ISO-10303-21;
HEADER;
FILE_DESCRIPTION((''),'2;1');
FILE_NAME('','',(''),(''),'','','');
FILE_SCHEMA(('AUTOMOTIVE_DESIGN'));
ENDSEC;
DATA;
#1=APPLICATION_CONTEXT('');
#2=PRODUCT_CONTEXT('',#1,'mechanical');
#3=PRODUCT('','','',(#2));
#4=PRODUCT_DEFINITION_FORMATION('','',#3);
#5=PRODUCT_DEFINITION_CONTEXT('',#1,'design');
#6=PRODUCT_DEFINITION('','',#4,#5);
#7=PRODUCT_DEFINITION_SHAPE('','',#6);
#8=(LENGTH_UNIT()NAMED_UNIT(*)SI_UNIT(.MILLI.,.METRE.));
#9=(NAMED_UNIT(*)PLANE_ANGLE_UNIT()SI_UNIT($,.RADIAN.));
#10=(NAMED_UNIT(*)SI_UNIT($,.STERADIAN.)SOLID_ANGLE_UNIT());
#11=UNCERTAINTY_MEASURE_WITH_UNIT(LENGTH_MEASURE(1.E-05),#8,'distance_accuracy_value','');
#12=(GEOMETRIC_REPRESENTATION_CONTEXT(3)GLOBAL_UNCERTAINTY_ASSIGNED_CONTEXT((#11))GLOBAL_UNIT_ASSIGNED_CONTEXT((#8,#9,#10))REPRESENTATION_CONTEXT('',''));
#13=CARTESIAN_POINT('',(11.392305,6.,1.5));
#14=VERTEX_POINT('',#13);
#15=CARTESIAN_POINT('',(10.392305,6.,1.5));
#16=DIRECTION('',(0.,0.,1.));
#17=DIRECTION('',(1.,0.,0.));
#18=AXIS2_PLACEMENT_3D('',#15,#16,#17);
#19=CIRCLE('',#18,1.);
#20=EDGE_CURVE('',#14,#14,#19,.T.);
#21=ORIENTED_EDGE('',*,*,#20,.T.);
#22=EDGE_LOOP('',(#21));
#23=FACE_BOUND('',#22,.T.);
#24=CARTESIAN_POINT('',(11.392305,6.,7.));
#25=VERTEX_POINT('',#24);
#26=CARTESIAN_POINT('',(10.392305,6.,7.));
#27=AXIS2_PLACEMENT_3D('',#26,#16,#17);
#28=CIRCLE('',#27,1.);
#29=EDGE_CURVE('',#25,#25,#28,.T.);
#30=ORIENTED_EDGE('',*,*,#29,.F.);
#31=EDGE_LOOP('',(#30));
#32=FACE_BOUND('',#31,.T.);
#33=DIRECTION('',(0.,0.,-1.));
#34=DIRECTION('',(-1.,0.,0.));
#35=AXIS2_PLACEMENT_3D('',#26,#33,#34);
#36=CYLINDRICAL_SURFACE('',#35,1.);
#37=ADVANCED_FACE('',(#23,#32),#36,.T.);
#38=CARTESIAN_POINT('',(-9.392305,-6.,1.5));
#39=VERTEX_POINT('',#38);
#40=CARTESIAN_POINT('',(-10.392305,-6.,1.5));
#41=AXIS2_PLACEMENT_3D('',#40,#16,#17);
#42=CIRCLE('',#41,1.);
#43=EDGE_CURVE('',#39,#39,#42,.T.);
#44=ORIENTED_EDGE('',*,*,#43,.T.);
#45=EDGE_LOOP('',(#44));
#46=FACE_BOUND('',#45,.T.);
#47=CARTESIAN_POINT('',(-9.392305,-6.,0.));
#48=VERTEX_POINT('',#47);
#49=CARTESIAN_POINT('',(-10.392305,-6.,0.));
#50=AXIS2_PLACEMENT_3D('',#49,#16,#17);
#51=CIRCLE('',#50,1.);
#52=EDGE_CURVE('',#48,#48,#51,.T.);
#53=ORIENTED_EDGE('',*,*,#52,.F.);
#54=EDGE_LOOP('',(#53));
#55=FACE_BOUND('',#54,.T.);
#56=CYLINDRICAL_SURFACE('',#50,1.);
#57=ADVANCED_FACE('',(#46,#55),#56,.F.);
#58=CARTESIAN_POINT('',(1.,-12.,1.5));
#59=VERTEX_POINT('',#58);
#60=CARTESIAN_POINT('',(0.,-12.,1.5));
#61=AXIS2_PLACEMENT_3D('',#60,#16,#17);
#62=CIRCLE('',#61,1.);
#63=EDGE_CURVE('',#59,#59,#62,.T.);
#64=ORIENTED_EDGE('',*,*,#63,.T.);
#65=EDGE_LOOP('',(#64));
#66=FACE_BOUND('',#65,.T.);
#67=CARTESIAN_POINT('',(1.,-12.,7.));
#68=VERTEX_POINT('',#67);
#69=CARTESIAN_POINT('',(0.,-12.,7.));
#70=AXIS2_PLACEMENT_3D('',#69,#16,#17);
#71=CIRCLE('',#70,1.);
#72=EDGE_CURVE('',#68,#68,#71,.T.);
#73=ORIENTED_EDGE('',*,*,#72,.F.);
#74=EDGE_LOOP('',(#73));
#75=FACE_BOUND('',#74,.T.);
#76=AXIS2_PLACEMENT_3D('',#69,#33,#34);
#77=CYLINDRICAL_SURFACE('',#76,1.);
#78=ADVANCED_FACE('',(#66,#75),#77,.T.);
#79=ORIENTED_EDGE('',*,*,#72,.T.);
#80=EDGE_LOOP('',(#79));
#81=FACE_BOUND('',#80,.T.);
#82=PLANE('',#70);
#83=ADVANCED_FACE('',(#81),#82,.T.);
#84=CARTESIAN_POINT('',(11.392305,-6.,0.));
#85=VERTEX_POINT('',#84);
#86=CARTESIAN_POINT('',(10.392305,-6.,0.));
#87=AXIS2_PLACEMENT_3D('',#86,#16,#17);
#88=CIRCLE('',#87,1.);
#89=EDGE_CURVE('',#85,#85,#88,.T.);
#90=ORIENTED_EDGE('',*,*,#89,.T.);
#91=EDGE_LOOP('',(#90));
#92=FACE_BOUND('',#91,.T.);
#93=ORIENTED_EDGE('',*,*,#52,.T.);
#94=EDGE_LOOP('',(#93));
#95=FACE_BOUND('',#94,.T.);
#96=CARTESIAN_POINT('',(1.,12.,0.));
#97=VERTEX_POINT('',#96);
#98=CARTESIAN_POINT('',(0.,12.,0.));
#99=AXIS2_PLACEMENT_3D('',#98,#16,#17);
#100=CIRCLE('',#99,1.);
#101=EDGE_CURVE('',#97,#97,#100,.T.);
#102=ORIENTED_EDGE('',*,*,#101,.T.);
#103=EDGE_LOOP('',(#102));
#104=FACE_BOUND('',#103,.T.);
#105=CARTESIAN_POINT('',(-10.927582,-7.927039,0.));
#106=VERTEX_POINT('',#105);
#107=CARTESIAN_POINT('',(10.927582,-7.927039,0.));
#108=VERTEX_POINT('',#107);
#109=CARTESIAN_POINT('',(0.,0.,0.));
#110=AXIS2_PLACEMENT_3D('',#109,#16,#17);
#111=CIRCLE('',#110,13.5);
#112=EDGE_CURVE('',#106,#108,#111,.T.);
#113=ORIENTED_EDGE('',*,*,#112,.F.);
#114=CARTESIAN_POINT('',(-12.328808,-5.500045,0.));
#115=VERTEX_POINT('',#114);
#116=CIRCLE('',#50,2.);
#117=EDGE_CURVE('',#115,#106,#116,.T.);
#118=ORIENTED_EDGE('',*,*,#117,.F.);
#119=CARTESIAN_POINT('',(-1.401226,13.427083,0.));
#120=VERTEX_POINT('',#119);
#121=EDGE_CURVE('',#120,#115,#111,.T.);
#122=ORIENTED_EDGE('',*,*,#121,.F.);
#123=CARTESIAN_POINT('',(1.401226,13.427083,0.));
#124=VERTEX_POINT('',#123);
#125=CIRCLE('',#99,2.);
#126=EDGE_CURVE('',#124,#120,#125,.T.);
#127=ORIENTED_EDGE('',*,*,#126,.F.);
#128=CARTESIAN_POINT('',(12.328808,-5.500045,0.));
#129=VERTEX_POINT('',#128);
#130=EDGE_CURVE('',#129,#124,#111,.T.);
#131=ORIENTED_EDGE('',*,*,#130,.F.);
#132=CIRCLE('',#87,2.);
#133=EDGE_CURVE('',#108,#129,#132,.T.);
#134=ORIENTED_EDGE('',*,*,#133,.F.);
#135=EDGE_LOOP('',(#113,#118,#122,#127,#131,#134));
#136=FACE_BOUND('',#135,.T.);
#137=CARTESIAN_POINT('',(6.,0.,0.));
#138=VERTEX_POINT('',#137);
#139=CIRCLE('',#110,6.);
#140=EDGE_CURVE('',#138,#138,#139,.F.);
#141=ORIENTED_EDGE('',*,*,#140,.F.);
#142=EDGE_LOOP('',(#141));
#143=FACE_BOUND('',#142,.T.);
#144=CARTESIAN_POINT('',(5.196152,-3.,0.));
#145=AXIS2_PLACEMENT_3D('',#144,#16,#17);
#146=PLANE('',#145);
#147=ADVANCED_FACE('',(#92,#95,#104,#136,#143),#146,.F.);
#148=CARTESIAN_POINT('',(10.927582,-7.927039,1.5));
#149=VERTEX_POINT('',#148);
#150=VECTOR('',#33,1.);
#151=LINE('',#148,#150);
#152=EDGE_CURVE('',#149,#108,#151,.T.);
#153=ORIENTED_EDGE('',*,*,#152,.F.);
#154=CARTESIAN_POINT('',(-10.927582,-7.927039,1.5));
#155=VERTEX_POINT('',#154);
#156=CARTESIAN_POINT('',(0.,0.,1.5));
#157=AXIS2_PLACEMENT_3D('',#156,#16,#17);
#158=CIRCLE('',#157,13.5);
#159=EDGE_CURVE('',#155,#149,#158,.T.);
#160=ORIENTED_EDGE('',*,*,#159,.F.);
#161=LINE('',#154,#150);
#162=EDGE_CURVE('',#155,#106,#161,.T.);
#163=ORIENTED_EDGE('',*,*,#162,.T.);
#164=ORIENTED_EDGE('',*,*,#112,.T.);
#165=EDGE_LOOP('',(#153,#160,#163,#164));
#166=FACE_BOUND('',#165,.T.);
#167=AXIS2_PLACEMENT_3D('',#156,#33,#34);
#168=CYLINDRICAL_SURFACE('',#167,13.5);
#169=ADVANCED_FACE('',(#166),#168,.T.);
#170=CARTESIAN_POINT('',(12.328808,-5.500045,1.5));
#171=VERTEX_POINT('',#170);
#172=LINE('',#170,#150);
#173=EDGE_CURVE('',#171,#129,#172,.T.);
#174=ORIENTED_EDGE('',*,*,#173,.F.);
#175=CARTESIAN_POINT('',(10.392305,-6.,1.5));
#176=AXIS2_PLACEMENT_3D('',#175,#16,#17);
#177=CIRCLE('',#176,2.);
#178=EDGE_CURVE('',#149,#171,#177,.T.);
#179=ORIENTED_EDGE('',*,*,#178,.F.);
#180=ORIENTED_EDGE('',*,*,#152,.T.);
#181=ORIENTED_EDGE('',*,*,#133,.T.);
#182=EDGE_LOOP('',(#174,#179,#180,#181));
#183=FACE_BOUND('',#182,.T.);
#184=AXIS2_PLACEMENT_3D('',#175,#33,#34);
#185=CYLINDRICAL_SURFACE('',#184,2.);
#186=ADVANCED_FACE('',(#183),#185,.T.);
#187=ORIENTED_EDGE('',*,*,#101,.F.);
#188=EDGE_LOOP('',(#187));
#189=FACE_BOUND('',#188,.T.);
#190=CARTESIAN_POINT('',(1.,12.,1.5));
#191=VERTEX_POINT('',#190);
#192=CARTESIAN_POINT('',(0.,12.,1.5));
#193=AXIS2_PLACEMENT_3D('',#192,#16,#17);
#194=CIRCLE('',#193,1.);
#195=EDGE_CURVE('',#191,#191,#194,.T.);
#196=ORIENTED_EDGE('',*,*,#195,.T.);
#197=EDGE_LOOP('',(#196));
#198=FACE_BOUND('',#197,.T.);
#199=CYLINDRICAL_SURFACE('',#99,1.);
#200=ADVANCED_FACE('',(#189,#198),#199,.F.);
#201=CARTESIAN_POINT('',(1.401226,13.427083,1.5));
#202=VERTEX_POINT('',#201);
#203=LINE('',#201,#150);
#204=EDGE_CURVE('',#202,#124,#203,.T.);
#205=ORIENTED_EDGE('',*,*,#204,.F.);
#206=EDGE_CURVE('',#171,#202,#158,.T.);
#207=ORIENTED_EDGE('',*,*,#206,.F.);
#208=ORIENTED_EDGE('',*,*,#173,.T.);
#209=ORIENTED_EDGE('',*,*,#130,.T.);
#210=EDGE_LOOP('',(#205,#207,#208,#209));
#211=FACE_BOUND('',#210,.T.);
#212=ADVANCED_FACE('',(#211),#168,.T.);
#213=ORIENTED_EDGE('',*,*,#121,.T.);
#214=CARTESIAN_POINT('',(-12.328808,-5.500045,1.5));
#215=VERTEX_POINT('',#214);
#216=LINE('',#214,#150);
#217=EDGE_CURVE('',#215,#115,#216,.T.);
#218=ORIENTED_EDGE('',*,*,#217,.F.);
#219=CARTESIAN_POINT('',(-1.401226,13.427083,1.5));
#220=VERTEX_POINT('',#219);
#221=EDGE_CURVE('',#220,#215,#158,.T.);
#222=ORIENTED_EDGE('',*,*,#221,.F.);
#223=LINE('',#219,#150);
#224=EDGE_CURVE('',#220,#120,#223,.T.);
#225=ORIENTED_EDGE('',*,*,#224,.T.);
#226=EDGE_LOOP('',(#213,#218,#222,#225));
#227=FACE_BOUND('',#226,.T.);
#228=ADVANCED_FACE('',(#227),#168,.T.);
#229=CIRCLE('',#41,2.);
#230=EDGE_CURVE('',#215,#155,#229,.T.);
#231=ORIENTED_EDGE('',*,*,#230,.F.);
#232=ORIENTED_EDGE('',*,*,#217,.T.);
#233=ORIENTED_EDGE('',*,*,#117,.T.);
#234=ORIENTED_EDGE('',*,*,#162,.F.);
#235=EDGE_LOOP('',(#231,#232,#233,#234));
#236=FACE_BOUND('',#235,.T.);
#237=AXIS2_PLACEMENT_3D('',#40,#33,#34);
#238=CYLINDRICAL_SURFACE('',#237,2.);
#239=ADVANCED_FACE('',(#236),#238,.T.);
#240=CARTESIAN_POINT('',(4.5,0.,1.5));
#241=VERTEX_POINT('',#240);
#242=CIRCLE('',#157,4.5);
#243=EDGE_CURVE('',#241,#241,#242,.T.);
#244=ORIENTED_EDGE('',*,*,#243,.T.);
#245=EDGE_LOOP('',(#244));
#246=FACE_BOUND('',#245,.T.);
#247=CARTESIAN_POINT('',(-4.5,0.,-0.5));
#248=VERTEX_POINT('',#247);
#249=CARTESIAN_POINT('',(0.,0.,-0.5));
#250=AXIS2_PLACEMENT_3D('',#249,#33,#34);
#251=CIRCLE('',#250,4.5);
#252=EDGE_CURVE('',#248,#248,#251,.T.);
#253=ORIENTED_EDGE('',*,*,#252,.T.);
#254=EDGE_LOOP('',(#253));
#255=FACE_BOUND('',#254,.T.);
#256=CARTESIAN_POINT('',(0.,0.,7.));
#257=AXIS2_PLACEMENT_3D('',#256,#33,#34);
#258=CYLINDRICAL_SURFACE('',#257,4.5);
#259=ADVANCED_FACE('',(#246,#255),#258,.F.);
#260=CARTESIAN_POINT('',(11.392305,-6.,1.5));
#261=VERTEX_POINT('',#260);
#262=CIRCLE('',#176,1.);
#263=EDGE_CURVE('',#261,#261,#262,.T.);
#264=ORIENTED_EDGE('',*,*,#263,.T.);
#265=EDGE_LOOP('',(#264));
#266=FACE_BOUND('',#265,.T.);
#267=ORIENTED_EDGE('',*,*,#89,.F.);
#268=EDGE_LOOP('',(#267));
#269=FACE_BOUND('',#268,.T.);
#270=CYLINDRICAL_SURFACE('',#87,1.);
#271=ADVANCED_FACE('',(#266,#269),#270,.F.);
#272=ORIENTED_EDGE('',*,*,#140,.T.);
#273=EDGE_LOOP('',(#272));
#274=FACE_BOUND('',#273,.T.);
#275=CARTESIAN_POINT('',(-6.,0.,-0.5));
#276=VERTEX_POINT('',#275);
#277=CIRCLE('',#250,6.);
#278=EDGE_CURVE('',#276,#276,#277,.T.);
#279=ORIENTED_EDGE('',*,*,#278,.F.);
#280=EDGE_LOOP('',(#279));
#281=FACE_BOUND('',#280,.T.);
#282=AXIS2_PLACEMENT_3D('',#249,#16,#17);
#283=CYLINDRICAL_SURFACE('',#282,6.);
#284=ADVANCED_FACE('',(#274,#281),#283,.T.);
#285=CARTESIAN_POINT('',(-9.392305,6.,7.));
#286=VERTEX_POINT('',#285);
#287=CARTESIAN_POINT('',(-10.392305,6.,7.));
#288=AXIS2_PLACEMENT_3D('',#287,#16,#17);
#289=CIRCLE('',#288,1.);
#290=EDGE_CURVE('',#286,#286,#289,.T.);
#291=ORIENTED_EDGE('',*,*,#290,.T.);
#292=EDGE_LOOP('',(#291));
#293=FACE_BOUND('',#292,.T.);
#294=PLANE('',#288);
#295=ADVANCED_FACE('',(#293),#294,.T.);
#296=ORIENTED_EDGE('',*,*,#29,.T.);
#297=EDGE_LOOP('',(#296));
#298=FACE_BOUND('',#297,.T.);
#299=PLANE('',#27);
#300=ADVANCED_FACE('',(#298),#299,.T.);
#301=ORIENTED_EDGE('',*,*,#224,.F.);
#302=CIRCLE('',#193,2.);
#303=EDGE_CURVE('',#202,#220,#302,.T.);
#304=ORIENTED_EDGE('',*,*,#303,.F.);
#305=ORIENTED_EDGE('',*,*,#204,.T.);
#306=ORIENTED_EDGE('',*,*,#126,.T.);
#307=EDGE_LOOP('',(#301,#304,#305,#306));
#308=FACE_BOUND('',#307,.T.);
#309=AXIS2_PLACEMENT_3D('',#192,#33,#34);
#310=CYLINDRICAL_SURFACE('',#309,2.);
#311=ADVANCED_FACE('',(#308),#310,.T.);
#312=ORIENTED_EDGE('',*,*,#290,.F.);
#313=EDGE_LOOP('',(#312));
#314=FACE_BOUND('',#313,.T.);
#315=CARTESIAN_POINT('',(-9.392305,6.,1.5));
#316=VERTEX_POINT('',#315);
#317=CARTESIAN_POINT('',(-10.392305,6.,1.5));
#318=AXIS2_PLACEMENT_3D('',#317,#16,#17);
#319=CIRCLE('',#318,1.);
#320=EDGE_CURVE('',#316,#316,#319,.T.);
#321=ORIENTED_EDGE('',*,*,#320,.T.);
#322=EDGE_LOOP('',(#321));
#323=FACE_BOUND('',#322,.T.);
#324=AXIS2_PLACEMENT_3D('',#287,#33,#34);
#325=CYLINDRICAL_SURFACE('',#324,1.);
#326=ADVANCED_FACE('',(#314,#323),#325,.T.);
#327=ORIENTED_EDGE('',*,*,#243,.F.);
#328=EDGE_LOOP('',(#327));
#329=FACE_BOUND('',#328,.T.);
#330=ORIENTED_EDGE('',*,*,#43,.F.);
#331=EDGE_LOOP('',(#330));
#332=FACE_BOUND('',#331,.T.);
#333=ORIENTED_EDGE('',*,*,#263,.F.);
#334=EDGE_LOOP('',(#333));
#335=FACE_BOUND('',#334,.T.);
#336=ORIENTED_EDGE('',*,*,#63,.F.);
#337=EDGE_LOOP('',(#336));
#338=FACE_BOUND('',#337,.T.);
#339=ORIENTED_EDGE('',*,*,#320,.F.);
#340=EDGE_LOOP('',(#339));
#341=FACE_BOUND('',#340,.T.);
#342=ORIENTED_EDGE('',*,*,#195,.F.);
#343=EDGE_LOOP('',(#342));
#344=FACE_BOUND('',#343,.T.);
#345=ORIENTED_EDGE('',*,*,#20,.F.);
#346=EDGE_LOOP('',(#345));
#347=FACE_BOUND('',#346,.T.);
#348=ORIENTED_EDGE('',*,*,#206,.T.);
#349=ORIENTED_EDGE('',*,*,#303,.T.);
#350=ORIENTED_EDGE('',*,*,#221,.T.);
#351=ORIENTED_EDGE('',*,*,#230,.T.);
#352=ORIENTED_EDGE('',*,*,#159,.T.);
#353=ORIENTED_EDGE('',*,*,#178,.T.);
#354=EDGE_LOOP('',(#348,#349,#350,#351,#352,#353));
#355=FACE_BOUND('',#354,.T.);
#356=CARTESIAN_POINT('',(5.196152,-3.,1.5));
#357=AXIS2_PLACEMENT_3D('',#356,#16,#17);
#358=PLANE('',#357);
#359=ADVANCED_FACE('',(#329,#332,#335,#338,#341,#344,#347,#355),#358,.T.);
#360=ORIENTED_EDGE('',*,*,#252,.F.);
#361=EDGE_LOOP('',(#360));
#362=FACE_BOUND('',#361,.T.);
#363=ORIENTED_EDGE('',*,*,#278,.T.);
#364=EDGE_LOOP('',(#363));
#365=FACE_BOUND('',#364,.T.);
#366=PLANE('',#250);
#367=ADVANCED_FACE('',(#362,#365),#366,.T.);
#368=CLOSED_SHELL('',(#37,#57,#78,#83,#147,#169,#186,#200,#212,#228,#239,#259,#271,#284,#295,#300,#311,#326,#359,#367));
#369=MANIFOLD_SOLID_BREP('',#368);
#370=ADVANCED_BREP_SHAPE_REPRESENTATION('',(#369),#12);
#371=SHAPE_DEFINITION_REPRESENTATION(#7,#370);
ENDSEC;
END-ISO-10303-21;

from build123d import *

# Parameters (mm, degrees)
BASE_EXTRUSION_DEPTH    = 1.5
ESQUISSE2_R             = 1
ENL_V_MAT_EXTRU_1_DEPTH = 2.5
ESQUISSE3_R             = 1
BOSS_EXTRU_1_DEPTH      = 5.5
ESQUISSE4_R             = 6
BOSS_EXTRU_2_DEPTH      = 0.5
ESQUISSE5_R             = 4.5
ENL_V_MAT_EXTRU_2_DEPTH = 8.5


with BuildPart() as part:
    # Esquisse1 → Base-Extrusion (new body)
    with BuildSketch(Plane.XY):
        with BuildLine():
            ThreePointArc((12.328808061, -5.500044708), (11.691342951, 6.75), (1.401225592, 13.427083333))
            ThreePointArc((1.401225592, 13.427083333), (0, 14), (-1.401225592, 13.427083333))
            ThreePointArc((-1.401225592, 13.427083333), (-11.691342951, 6.75), (-12.328808061, -5.500044708))
            ThreePointArc((-12.328808061, -5.500044708), (-12.124355653, -7), (-10.927582469, -7.927038626))
            ThreePointArc((-10.927582469, -7.927038626), (0, -13.5), (10.927582469, -7.927038626))
            ThreePointArc((10.927582469, -7.927038626), (12.124355653, -7), (12.328808061, -5.500044708))
        make_face()
    extrude(amount=BASE_EXTRUSION_DEPTH)

    # Esquisse2 → Enlèv. mat.-Extru.1 (cut, through all)
    with BuildSketch(Plane.XY.offset(1.5)):
        with Locations((0, 12)):
            Circle(ESQUISSE2_R)
        with Locations((10.392304845, -6)):
            Circle(ESQUISSE2_R)
        with Locations((-10.392304845, -6)):
            Circle(ESQUISSE2_R)
    extrude(amount=-ENL_V_MAT_EXTRU_1_DEPTH, mode=Mode.SUBTRACT)

    # Esquisse3 → Boss.-Extru.1 (add)
    with BuildSketch(Plane.XY.offset(1.5)):
        with Locations((10.392304845, 6)):
            Circle(ESQUISSE3_R)
        with Locations((0, -12)):
            Circle(ESQUISSE3_R)
        with Locations((-10.392304845, 6)):
            Circle(ESQUISSE3_R)
    extrude(amount=BOSS_EXTRU_1_DEPTH)

    # Esquisse4 → Boss.-Extru.2 (add)
    with BuildSketch(Plane(origin=(0, 0, 0), x_dir=(-1, 0, 0), z_dir=(0, 0, -1))):
        Circle(ESQUISSE4_R)
    extrude(amount=BOSS_EXTRU_2_DEPTH)

    # Esquisse5 → Enlèv. mat.-Extru.2 (cut, through all)
    with BuildSketch(Plane(origin=(0, 0, -0.5), x_dir=(-1, 0, 0), z_dir=(0, 0, -1))):
        Circle(ESQUISSE5_R)
    extrude(amount=-ENL_V_MAT_EXTRU_2_DEPTH, mode=Mode.SUBTRACT)


solid = part.part
